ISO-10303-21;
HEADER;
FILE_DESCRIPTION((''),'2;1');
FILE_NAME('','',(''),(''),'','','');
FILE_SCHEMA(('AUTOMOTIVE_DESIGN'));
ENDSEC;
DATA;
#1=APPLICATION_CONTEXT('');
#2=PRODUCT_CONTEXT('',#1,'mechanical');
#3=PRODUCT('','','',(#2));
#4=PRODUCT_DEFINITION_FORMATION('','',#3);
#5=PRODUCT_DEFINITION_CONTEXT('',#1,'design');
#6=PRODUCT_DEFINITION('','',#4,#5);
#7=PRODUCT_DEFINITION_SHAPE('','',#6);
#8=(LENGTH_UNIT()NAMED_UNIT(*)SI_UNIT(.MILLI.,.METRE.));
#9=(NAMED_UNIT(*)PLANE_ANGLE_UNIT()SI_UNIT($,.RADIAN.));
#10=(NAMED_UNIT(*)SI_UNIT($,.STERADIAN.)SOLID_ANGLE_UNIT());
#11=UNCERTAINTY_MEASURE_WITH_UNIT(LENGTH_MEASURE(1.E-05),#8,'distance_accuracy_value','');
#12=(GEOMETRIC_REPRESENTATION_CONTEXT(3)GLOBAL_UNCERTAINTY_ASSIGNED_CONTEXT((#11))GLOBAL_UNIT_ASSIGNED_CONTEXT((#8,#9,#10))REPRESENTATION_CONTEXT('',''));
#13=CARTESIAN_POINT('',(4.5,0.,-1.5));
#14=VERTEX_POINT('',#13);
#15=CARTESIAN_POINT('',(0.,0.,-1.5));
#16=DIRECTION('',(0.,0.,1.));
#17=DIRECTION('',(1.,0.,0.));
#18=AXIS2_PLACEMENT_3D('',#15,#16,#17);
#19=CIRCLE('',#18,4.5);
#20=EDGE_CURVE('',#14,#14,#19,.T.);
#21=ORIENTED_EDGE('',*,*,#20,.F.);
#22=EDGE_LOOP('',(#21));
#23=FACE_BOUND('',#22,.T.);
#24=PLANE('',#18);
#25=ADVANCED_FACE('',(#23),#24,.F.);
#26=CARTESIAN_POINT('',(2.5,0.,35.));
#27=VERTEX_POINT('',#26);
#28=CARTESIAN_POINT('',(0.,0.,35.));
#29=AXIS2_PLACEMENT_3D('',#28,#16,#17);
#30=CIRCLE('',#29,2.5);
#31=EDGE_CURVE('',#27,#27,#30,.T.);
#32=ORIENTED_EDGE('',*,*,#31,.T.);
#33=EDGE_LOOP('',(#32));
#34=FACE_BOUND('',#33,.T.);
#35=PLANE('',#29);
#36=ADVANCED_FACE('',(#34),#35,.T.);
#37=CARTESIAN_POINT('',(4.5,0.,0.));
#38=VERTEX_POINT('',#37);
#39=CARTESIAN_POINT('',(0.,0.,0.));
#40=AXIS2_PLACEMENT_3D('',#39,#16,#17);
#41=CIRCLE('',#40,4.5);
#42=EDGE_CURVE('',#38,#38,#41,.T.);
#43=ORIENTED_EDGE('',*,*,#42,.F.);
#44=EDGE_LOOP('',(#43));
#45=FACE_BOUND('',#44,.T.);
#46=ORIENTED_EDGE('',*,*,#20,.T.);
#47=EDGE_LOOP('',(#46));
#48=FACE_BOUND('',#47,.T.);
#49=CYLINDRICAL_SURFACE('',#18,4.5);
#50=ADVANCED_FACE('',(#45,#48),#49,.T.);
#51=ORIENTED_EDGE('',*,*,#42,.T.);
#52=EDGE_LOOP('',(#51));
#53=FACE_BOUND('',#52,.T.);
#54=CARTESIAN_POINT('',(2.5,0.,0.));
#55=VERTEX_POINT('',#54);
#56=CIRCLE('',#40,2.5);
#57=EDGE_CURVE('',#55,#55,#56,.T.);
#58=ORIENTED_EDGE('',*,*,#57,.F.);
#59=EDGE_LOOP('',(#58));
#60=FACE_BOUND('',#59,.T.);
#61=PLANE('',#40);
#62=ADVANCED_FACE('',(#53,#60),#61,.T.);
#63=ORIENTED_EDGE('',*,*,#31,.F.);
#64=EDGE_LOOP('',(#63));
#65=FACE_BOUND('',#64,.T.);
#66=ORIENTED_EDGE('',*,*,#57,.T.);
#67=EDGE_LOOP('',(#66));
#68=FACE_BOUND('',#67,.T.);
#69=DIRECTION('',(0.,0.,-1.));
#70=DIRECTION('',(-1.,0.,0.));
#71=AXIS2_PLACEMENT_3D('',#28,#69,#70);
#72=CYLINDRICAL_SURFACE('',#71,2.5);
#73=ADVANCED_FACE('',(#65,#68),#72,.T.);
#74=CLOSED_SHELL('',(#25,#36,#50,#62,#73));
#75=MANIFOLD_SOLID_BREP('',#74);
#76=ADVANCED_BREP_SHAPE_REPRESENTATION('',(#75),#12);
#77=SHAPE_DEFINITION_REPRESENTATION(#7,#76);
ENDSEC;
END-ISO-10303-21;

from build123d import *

# Parameters (mm, degrees)
SKETCH1_R           = 4.5
BOSS_EXTRUDE1_DEPTH = 1.5
SKETCH1_3_R         = 2.5
BOSS_EXTRUDE2_DEPTH = 35


with BuildPart() as part:
    # Sketch1 → Boss-Extrude1 (new body)
    with BuildSketch(Plane.XY):
        Circle(SKETCH1_R)
    extrude(amount=-BOSS_EXTRUDE1_DEPTH)

    # Sketch1<3> → Boss-Extrude2 (add)
    with BuildSketch(Plane.XY):
        Circle(SKETCH1_3_R)
    extrude(amount=BOSS_EXTRUDE2_DEPTH)


solid = part.part
